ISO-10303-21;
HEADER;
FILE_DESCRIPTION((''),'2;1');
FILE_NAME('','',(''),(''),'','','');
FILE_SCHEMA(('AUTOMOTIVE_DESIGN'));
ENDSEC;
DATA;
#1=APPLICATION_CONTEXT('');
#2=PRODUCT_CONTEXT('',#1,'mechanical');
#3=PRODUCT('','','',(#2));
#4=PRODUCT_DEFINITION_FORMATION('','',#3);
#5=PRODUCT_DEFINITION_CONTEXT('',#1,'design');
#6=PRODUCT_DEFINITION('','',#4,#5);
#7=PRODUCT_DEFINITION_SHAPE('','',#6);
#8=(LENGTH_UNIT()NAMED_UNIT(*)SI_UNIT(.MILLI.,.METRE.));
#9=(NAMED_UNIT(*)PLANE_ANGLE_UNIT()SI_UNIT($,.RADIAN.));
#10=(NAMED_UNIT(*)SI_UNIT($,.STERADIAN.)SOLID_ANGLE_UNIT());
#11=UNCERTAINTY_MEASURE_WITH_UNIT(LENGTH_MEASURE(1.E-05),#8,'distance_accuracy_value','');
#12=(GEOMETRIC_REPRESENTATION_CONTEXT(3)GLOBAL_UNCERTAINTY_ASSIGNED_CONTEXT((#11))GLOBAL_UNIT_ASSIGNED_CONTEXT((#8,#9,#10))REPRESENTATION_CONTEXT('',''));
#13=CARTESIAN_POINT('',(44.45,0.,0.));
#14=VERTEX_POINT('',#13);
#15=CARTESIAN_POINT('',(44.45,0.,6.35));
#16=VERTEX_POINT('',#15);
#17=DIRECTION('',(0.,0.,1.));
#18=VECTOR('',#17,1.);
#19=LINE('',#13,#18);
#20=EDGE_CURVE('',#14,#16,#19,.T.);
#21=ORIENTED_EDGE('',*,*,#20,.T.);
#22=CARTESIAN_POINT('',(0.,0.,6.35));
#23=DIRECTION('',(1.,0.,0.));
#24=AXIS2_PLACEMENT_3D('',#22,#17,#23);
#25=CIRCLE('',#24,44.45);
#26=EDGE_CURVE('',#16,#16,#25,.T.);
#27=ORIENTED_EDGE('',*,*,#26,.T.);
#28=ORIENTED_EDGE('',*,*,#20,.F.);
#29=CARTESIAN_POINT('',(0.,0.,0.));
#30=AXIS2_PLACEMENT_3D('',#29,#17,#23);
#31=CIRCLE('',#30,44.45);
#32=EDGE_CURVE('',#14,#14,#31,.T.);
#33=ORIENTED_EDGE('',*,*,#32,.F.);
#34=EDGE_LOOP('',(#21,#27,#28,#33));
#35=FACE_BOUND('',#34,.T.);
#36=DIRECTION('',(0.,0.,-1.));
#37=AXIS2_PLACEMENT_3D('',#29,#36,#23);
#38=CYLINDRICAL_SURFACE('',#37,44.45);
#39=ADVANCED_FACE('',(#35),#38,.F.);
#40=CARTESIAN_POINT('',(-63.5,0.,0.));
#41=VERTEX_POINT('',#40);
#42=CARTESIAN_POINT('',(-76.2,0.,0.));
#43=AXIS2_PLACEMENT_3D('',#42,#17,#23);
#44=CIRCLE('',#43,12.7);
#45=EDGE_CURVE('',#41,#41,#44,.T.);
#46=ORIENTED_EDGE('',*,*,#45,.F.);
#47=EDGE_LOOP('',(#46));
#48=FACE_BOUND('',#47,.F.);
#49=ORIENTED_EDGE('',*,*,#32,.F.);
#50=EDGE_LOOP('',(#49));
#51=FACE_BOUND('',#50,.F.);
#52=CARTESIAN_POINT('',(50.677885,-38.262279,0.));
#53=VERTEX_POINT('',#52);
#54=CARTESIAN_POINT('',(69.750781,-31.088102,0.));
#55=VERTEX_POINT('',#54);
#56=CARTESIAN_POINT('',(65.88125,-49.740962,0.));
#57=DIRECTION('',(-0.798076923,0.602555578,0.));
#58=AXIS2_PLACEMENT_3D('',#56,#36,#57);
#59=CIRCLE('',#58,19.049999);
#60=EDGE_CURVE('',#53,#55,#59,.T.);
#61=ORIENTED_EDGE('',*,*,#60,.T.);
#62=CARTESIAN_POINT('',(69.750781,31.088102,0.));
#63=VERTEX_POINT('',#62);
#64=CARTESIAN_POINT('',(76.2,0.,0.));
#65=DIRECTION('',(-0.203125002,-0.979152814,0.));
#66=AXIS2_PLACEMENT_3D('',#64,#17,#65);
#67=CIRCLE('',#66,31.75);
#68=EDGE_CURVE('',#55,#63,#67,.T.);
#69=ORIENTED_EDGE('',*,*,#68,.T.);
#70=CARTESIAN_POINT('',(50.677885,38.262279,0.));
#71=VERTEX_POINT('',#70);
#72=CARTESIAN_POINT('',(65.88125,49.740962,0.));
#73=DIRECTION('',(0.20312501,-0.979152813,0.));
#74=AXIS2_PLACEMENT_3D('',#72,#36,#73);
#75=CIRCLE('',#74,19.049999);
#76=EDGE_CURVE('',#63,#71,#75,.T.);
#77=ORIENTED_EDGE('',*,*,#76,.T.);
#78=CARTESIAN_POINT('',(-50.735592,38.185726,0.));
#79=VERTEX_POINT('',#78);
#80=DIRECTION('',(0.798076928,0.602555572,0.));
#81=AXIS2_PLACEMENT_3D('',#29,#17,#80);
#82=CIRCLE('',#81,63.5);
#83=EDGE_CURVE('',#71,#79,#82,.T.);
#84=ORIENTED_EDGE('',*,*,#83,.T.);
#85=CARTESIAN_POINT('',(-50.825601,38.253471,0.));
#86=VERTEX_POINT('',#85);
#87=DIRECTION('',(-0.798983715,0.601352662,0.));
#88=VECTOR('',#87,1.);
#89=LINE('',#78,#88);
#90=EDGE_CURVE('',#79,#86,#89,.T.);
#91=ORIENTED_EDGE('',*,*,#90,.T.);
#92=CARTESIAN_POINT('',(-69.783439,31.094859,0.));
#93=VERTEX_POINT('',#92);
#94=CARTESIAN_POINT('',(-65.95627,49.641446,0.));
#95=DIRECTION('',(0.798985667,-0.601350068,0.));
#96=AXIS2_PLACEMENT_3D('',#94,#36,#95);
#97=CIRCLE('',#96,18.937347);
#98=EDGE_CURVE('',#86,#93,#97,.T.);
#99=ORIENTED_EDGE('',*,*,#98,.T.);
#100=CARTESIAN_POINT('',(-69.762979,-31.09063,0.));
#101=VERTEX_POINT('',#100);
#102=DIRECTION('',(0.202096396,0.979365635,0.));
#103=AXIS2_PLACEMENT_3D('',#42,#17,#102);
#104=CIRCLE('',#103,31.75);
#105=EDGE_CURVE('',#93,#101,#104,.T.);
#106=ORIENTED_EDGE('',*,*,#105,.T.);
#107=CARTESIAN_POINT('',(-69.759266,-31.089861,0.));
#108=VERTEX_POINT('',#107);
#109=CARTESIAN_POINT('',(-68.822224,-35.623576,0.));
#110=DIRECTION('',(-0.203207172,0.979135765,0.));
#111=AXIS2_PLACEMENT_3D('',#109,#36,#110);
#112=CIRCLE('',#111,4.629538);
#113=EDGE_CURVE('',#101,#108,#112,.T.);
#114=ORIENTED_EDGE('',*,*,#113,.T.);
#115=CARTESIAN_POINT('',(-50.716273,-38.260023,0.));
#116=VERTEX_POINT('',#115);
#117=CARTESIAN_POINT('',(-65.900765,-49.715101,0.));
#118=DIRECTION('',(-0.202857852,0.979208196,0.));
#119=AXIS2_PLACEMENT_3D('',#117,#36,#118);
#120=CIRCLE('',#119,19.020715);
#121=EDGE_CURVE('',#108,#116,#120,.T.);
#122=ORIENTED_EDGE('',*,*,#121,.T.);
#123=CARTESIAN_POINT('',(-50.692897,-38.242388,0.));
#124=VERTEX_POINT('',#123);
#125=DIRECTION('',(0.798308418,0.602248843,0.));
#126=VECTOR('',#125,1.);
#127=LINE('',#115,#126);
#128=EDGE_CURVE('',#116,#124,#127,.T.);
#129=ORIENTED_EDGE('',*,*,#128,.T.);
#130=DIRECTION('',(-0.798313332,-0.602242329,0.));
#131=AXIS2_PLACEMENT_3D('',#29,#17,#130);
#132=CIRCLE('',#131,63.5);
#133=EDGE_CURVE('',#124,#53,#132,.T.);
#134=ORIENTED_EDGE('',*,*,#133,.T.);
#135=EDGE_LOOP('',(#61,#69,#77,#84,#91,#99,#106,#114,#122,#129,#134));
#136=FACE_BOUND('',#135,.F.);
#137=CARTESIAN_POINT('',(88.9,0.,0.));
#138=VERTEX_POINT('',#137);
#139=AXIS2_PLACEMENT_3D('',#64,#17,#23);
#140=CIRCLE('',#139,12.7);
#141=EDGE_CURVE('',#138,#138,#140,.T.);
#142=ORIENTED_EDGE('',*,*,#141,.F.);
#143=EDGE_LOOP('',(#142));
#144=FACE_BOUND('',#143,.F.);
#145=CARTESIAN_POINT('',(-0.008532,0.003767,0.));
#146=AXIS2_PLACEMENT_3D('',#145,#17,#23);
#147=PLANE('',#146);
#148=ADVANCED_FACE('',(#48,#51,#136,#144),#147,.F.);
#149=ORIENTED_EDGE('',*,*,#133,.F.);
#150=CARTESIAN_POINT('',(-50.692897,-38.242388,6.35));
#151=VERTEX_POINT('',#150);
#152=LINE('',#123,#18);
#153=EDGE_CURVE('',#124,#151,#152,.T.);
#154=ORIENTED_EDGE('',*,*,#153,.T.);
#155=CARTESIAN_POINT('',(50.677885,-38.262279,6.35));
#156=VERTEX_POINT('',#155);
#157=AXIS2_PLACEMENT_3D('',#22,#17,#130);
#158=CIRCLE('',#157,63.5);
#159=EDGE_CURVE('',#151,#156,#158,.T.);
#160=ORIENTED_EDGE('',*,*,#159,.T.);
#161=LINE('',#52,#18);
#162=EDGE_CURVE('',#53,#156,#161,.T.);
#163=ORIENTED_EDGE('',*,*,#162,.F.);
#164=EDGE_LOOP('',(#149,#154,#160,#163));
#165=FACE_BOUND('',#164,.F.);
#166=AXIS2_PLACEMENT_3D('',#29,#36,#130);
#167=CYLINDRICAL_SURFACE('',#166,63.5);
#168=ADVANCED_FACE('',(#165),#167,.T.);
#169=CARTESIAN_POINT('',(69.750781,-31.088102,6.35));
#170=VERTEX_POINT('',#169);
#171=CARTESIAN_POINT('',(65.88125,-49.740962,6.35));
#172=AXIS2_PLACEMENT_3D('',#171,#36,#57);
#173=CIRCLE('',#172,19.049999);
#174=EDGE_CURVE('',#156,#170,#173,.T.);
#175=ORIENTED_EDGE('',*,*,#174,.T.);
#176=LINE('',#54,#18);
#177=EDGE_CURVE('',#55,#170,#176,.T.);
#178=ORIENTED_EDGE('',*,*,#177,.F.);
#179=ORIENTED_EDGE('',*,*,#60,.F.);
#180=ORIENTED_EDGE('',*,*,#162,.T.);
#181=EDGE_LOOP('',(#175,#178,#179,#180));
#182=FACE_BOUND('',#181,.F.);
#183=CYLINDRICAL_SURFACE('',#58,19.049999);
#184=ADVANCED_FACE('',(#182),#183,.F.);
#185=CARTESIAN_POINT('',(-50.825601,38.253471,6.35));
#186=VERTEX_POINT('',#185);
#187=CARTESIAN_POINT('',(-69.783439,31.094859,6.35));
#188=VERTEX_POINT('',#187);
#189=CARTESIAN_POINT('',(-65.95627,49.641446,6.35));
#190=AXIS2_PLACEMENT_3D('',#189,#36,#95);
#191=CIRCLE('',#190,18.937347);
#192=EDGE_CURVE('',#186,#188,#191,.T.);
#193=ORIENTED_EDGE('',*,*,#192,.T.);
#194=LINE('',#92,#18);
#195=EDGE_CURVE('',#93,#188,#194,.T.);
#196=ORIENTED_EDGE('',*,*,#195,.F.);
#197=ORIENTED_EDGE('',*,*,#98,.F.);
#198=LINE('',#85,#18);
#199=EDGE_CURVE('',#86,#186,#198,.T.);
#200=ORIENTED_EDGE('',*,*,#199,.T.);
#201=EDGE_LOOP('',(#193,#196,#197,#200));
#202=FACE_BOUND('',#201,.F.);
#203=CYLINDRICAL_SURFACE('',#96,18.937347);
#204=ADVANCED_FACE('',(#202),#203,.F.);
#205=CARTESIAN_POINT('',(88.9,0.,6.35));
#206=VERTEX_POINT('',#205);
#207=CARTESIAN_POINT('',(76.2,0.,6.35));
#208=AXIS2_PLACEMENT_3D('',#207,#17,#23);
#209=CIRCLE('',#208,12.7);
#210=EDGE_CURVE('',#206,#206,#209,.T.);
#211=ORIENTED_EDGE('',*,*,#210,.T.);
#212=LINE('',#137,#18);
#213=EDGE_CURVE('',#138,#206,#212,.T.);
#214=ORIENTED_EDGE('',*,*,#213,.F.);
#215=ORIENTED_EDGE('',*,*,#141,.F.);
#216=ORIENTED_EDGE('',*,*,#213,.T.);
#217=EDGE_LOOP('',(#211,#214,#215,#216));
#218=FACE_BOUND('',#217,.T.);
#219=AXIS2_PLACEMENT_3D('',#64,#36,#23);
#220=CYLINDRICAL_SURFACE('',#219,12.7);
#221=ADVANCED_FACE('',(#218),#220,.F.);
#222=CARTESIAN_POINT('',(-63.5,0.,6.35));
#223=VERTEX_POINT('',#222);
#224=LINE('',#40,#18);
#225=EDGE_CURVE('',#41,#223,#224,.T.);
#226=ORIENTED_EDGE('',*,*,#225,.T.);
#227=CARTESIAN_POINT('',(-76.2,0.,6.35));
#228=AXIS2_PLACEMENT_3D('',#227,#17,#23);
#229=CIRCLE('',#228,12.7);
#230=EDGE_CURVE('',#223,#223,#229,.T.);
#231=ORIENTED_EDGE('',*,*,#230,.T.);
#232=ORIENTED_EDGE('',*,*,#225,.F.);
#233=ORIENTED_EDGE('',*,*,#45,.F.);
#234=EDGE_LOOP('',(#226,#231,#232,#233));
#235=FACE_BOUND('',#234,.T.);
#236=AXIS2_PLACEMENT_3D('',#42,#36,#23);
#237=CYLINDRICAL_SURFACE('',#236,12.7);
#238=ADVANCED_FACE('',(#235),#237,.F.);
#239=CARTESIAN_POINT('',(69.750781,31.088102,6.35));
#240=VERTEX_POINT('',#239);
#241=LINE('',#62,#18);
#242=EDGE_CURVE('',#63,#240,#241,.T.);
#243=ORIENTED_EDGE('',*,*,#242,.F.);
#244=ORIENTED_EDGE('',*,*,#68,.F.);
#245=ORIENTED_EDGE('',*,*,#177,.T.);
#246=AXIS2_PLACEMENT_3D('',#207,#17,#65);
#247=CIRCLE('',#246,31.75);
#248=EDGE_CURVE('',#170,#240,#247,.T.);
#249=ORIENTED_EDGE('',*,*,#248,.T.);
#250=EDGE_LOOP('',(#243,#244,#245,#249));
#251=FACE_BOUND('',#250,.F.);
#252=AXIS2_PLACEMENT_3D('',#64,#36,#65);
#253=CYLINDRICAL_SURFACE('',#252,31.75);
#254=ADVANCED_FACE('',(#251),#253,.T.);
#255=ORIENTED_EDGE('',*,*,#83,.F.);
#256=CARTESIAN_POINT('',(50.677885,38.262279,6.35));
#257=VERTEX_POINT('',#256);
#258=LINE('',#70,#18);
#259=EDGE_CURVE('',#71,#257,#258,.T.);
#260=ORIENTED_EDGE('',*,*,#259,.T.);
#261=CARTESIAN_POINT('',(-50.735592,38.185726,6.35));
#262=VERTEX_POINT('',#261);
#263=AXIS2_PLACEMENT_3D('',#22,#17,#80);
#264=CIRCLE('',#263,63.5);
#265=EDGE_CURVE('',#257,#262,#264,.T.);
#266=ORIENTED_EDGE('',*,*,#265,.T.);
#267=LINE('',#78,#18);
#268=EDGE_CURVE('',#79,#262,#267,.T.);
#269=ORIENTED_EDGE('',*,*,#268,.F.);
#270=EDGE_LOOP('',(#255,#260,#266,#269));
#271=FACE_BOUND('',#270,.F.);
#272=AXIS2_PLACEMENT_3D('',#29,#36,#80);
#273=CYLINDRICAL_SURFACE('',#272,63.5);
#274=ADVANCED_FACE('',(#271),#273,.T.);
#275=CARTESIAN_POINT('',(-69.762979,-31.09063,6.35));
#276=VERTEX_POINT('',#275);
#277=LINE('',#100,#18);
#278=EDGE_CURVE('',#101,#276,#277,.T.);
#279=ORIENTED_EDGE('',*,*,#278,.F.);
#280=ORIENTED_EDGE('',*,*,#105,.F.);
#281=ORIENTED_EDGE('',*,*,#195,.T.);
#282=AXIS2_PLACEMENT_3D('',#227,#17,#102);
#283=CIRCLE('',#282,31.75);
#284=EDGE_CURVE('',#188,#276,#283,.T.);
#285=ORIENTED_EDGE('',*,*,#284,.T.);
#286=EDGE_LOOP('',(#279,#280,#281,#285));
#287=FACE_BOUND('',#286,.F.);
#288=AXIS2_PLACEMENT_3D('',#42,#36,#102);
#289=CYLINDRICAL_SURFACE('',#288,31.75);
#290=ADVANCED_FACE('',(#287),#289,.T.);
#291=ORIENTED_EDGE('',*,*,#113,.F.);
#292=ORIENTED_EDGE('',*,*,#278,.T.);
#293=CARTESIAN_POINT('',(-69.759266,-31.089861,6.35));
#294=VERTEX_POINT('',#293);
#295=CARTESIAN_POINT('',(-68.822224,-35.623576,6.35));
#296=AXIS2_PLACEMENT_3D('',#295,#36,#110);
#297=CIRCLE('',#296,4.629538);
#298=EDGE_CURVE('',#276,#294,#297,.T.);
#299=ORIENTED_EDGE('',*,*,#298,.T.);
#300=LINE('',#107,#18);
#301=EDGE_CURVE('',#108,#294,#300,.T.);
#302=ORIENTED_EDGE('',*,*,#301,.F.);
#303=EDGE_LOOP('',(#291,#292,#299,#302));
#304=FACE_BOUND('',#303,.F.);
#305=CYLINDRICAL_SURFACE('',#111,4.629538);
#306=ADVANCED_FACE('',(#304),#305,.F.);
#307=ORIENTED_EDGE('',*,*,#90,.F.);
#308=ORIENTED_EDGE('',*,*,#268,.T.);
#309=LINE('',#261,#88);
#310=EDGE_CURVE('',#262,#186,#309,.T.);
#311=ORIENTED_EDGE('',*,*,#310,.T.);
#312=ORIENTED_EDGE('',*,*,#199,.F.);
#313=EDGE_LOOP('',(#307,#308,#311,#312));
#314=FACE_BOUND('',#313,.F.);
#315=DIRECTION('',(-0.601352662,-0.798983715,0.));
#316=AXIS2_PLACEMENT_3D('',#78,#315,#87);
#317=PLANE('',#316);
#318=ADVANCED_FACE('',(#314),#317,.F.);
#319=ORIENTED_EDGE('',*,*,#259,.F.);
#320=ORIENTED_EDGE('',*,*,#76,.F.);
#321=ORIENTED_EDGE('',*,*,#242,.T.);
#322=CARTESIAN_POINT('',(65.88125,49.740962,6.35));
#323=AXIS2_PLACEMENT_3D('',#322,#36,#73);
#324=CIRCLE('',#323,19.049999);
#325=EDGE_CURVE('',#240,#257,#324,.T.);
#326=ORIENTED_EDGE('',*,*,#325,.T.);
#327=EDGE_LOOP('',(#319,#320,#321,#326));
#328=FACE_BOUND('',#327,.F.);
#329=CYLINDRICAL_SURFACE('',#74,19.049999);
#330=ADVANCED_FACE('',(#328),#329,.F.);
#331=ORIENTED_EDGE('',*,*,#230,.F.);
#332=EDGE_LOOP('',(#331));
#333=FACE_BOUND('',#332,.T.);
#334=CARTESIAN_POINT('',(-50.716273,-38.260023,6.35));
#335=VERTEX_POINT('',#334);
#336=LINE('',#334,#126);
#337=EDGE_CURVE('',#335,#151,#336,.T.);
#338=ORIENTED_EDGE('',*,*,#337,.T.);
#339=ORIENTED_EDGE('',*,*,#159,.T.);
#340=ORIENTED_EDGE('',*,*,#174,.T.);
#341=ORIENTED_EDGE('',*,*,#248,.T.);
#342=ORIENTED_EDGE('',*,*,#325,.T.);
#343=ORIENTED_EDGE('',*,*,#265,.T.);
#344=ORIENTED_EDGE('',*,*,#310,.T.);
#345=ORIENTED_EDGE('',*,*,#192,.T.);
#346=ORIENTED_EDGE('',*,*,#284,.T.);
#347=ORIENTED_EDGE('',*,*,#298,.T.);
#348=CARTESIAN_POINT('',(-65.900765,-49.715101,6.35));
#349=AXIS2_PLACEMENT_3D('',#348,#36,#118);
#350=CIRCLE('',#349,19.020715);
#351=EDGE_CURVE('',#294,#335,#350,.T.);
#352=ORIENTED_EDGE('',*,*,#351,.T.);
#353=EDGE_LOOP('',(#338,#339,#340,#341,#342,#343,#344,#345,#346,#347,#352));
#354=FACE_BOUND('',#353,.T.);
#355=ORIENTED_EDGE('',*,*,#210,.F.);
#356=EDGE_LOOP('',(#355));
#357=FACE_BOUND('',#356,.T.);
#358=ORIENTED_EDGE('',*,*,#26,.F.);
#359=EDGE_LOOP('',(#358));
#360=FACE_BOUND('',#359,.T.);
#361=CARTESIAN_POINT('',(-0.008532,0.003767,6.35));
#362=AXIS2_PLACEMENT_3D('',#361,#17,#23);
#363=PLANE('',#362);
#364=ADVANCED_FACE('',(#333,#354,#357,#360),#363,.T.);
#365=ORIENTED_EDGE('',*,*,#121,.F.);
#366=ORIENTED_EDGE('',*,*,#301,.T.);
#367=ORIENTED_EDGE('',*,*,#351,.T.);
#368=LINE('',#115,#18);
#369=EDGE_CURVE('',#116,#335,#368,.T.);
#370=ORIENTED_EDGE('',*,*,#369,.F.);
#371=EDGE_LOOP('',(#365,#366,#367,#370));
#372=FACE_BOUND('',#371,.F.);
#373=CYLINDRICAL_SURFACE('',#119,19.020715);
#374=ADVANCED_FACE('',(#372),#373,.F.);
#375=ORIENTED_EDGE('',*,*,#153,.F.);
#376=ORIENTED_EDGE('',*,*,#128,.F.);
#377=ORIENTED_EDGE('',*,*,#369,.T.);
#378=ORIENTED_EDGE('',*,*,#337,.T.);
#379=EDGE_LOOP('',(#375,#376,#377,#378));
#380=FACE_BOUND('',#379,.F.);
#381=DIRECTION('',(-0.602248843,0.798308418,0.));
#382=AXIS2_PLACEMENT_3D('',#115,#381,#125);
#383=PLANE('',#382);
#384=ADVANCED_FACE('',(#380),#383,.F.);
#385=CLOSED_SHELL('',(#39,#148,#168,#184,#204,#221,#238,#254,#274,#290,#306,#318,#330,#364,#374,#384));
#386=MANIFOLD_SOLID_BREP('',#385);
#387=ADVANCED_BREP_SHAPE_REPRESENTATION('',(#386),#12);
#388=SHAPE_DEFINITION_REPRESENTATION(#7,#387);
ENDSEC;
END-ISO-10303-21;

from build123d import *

# Parameters (mm, degrees)
F0_R     = 12.7
F0_R_2   = 44.45
F1_DEPTH = 6.35


with BuildPart() as f1:
    # F0 (on Top) → F1 (new body)
    with BuildSketch(Plane.XY):
        with BuildLine():
            ThreePointArc((-50.825601, 38.253471), (-59.266449, 31.925086), (-69.783439, 31.094859))
            ThreePointArc((-69.783439, 31.094859), (-107.949998, -0.010447), (-69.762979, -31.09063))
            ThreePointArc((-69.762979, -31.09063), (-69.761122, -31.090245), (-69.759266, -31.089861))
            ThreePointArc((-69.759266, -31.089861), (-59.198353, -31.914391), (-50.716273, -38.260023))
            Line((-50.716273, -38.260023), (-50.692897, -38.242388))
            ThreePointArc((-50.692897, -38.242388), (-0.01246, -63.499999), (50.677885, -38.262279))
            ThreePointArc((50.677885, -38.262279), (59.174451, -31.910614), (69.750781, -31.088102))
            ThreePointArc((69.750781, -31.088102), (107.95, 0), (69.750781, 31.088102))
            ThreePointArc((69.750781, 31.088102), (59.174451, 31.910614), (50.677885, 38.262279))
            ThreePointArc((50.677885, 38.262279), (-0.047933, 63.499982), (-50.735592, 38.185726))
            Line((-50.735592, 38.185726), (-50.825601, 38.253471))
        make_face()
        with Locations((-76.2, 0)):
            Circle(F0_R, mode=Mode.SUBTRACT)
        Circle(F0_R_2, mode=Mode.SUBTRACT)
        with Locations((76.2, 0)):
            Circle(F0_R, mode=Mode.SUBTRACT)
    extrude(amount=F1_DEPTH)


solid = f1.part
